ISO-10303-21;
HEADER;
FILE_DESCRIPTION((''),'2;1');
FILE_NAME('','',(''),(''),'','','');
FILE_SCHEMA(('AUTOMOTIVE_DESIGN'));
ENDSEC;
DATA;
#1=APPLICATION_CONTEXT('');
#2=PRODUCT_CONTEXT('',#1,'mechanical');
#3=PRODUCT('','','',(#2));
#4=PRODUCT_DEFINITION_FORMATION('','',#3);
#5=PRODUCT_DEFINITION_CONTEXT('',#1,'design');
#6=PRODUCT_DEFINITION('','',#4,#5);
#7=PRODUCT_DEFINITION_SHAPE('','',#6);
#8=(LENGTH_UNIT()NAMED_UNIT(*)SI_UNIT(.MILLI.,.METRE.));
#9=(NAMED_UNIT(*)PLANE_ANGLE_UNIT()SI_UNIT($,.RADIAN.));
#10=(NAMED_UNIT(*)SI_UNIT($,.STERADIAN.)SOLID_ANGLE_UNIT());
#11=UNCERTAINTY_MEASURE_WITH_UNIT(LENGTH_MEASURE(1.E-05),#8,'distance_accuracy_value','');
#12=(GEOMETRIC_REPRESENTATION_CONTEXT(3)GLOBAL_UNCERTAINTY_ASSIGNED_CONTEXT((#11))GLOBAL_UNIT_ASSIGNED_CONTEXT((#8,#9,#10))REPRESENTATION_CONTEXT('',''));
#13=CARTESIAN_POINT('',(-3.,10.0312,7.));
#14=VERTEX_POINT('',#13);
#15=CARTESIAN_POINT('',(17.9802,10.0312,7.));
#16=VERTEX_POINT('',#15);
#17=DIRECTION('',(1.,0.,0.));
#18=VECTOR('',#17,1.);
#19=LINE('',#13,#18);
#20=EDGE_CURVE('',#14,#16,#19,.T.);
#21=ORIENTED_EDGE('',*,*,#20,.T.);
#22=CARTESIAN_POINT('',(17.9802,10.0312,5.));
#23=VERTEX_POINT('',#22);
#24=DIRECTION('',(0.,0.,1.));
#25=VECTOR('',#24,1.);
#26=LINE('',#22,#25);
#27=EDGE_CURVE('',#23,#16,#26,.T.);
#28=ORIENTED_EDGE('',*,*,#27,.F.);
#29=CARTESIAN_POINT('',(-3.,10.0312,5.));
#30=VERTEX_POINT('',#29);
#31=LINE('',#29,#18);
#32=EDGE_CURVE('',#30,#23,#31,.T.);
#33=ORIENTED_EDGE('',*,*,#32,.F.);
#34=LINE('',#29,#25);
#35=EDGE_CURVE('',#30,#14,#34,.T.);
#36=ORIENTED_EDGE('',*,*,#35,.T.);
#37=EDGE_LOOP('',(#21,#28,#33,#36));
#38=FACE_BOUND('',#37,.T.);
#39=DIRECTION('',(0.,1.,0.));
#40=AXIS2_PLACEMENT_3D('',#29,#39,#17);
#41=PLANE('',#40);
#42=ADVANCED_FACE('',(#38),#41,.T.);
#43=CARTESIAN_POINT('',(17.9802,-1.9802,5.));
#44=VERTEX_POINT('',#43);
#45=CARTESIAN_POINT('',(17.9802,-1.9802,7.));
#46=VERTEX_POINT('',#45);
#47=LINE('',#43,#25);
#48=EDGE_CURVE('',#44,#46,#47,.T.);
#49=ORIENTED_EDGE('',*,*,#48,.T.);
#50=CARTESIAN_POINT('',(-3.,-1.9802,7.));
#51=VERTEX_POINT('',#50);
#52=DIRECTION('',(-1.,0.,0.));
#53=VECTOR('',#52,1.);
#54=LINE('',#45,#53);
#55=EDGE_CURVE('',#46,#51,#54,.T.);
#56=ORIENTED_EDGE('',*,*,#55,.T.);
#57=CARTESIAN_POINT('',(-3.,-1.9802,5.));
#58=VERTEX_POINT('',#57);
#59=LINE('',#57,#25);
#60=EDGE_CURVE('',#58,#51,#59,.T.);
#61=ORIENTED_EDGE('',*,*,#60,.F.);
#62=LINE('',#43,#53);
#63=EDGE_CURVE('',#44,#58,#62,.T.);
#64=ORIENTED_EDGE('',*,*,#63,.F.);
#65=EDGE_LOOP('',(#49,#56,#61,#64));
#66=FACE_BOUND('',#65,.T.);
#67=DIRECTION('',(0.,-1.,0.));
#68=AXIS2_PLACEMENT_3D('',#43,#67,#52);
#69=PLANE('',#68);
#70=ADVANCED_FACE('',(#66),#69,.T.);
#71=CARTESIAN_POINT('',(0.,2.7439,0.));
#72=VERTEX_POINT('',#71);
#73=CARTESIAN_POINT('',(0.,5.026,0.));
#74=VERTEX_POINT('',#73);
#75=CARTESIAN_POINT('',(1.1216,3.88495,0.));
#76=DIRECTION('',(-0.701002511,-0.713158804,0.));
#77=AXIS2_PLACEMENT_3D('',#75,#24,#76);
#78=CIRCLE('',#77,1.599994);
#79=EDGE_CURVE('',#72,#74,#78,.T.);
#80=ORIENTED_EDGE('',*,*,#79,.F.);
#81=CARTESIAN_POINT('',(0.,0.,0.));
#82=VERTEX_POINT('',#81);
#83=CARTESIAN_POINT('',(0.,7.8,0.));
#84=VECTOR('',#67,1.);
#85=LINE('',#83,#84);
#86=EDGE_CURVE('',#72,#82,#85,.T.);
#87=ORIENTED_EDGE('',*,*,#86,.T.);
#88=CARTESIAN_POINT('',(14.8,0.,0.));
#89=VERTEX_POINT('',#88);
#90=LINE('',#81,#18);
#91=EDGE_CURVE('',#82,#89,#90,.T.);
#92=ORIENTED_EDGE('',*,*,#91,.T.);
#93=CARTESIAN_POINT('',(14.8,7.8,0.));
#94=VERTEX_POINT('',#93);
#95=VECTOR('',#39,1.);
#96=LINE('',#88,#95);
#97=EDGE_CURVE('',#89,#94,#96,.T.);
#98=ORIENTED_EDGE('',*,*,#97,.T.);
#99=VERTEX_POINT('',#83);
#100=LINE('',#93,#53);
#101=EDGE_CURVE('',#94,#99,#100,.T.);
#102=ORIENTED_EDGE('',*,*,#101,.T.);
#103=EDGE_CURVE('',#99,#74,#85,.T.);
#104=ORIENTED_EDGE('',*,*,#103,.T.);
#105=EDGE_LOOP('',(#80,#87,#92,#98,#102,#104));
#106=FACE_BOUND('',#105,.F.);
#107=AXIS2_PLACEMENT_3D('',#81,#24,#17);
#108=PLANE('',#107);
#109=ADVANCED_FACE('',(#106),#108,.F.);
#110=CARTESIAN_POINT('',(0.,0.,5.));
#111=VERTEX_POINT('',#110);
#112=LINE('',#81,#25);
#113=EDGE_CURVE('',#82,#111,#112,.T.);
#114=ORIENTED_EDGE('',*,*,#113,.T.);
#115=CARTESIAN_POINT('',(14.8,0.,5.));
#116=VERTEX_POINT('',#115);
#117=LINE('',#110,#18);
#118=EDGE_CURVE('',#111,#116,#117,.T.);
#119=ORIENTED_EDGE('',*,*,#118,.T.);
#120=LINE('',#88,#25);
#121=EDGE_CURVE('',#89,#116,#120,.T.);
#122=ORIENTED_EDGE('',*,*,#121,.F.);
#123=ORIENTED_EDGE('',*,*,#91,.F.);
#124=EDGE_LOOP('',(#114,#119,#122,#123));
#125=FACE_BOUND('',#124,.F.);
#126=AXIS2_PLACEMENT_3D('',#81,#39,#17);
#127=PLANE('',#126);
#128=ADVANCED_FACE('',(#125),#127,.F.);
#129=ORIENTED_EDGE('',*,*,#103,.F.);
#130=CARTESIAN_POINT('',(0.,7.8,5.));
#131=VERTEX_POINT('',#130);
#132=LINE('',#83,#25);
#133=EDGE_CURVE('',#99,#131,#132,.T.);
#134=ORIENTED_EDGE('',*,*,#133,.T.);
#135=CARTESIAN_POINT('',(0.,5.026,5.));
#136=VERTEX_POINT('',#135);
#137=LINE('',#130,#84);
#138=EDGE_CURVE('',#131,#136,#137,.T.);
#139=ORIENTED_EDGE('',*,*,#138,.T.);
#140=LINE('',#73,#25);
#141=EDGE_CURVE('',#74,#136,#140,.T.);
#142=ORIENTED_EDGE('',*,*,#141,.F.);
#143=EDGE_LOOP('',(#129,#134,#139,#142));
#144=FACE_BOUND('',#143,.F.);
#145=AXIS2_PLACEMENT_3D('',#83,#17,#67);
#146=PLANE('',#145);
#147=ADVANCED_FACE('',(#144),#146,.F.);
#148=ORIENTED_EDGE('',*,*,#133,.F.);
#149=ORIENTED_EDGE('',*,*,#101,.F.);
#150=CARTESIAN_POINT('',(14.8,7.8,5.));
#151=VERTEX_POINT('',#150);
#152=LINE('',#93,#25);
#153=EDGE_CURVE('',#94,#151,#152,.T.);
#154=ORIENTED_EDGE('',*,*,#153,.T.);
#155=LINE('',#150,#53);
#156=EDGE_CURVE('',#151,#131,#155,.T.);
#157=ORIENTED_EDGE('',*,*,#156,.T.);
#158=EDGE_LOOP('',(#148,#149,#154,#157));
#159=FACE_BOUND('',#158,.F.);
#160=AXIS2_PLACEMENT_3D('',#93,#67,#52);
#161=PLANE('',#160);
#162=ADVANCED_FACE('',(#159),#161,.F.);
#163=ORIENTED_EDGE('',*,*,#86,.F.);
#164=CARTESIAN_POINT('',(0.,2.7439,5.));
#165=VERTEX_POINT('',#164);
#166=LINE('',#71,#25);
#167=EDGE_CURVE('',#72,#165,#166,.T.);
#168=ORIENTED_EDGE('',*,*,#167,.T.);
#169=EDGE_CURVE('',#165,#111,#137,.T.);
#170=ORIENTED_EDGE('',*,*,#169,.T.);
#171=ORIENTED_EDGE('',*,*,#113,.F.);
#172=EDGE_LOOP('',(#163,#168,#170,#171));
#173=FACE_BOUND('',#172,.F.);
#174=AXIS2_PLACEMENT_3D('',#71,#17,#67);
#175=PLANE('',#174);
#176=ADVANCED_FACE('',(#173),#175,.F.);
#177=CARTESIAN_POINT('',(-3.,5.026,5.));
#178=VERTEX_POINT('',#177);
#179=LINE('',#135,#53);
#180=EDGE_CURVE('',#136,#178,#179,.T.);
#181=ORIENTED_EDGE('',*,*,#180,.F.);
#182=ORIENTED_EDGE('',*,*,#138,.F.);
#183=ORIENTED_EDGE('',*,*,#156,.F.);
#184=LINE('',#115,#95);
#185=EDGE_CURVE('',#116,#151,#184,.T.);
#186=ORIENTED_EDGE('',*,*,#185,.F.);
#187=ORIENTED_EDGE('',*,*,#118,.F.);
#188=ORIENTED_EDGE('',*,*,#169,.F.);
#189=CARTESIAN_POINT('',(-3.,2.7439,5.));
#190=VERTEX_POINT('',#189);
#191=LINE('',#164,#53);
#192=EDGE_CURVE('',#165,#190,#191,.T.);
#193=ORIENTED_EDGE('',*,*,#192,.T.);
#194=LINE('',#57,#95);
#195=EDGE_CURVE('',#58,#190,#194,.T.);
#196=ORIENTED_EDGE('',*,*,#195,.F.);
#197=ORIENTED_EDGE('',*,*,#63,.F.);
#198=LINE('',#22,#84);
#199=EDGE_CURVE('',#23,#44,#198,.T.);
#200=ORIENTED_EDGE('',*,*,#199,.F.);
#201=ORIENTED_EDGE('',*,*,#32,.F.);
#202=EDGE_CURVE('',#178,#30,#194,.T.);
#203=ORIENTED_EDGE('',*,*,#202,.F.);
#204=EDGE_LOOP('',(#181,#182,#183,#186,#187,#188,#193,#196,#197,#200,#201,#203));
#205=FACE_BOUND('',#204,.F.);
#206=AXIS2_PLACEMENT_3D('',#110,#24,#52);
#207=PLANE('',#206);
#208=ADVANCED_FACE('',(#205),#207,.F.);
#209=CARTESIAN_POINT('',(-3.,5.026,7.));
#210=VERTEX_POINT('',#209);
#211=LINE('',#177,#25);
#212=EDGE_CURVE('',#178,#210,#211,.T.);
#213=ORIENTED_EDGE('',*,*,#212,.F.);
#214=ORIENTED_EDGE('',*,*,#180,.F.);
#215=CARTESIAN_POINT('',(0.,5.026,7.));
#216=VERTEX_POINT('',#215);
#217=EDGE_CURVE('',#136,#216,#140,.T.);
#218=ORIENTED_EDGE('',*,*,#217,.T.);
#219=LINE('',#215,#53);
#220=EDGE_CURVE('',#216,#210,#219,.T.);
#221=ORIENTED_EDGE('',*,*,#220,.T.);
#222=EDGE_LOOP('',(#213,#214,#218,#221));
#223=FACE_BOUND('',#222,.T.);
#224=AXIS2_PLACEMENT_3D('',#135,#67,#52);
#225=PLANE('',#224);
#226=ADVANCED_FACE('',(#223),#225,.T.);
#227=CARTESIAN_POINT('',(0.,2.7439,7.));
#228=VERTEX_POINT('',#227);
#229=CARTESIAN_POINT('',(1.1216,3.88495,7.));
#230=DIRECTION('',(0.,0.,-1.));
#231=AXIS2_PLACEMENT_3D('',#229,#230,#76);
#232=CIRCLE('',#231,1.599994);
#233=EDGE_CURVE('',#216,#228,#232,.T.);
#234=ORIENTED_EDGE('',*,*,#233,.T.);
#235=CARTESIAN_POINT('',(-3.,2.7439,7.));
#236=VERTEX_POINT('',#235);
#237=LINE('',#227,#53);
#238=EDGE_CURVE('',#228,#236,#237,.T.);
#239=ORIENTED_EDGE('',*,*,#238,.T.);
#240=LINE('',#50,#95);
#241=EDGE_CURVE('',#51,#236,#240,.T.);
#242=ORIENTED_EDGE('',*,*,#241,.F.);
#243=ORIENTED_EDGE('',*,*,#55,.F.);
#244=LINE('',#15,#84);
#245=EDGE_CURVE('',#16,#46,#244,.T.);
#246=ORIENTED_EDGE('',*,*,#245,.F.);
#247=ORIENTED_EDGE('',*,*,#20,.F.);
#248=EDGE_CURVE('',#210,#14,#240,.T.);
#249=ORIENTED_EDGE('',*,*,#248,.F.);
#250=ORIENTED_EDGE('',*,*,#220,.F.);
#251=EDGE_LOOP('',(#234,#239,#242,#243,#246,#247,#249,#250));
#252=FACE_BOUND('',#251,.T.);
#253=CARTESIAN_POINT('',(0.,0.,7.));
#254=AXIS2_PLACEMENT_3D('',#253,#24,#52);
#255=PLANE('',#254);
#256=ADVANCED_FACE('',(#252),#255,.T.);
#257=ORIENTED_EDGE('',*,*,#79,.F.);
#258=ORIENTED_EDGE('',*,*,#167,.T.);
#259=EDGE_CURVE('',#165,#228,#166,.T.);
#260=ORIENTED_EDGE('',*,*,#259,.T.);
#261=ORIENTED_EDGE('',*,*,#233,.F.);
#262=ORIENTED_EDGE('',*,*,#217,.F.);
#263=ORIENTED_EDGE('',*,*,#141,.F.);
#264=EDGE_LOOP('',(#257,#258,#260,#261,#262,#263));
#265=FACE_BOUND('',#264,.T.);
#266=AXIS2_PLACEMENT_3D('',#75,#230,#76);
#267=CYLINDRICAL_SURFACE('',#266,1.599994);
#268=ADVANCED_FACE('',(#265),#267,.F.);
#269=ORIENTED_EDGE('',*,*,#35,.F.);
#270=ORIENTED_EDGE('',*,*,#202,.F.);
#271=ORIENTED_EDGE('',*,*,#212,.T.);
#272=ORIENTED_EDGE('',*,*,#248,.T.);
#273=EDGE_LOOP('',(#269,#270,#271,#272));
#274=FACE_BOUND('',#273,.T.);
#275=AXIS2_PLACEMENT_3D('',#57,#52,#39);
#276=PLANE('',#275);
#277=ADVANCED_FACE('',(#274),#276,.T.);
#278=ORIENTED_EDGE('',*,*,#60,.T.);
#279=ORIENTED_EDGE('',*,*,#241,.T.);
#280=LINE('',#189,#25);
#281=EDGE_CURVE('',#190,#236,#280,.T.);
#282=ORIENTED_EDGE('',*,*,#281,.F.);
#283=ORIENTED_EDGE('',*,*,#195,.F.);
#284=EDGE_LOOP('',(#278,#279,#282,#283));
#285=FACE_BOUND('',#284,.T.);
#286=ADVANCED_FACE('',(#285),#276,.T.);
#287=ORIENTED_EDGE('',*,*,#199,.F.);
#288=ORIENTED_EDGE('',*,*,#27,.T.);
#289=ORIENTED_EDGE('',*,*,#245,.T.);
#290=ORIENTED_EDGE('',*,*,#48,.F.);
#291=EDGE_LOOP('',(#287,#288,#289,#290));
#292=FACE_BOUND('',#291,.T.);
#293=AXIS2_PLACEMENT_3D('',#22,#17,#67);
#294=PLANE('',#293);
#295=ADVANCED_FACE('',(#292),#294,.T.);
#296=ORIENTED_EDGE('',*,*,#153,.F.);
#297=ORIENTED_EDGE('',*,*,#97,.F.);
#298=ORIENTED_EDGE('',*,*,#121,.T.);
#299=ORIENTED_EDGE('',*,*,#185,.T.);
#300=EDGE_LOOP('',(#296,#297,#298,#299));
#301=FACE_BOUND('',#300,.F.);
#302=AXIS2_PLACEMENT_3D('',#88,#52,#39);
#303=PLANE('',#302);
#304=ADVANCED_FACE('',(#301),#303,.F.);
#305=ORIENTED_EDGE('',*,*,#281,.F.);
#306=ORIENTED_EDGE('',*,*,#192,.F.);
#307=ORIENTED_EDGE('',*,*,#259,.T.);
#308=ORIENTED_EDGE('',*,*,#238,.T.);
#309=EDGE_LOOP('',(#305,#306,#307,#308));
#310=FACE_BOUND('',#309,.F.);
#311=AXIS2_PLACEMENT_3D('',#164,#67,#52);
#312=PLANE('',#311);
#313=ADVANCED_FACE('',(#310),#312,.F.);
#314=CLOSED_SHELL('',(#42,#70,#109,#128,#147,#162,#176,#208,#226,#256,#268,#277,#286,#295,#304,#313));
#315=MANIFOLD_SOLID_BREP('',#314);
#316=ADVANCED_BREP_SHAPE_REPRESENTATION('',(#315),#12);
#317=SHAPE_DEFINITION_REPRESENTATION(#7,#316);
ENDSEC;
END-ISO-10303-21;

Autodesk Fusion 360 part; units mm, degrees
sketch "草图1" plane through (0, 0, 0) normal (0, 0, 1) x (1, 0, 0)
  line L0 (0, 0) -> (14.8, 0)
  line L1 (14.8, 0) -> (14.8, 7.8)
  line L2 (14.8, 7.8) -> (0, 7.8)
  line L3 (0, 7.8) -> (0, 0)
  arc A0 (0, 2.7439) -> (0, 5.026) centre (1.1216, 3.885) ccw
  dimension "d1" = 14.8
  dimension "d2" = 7.8
  dimension "d3" = 3.2
extrude "拉伸1" add sketch "草图1" along normal blind 5 contours L0 L1 L2 L3 A0
sketch "草图2" plane through (0, 0, 5) normal (0, 0, 1) x (-1, 0, 0)
  line L0 (0, 0) -> (-14.8, 0)
  line L1 (-14.8, 0) -> (-14.8, -7.8)
  line L2 (-14.8, -7.8) -> (0, -7.8)
  line L3 (0, -7.8) -> (0, -5.026)
  arc A0 (0, -2.7439) -> (0, -5.026) centre (-1.1216, -3.885) ccw
  line L4 (0, -2.7439) -> (0, 0)
  line L5 (3, -10.0312) -> (-17.9802, -10.0312)
  line L6 (-17.9802, -10.0312) -> (-17.9802, 1.9802)
  line L7 (-17.9802, 1.9802) -> (3, 1.9802)
  line L8 (3, 1.9802) -> (3, -10.0312)
extrude "拉伸2" add sketch "草图2" along normal blind 2 contours L0 L1 L2 L3 A0 L4 | L5 L6 L7 L8
extrude "拉伸3" cut sketch "草图1" along normal blind 13 contours L3 A0
sketch "草图3" plane through (0, 0, 5) normal (0, 0, -1) x (1, 0, 0)
  line L0 (0, -5.026) -> (0, -2.7439)
  line L1 (0, -2.7439) -> (0, 0)
  line L2 (0, 0) -> (14.8, 0)
  line L3 (14.8, 0) -> (14.8, -7.8)
  line L4 (14.8, -7.8) -> (0, -7.8)
  line L5 (0, -7.8) -> (0, -5.026)
  line L6 (17.9802, 1.9802) -> (-3, 1.9802)
  line L7 (-3, 1.9802) -> (-3, -10.0312)
  line L8 (-3, -10.0312) -> (17.9802, -10.0312)
  line L9 (17.9802, -10.0312) -> (17.9802, 1.9802)
  line L10 (0, -2.7439) -> (-3, -2.7439)
  line L11 (0, -5.026) -> (-3, -5.026)
extrude "拉伸4" cut sketch "草图3" against normal blind 2 contours L0 L7 L10 L11
